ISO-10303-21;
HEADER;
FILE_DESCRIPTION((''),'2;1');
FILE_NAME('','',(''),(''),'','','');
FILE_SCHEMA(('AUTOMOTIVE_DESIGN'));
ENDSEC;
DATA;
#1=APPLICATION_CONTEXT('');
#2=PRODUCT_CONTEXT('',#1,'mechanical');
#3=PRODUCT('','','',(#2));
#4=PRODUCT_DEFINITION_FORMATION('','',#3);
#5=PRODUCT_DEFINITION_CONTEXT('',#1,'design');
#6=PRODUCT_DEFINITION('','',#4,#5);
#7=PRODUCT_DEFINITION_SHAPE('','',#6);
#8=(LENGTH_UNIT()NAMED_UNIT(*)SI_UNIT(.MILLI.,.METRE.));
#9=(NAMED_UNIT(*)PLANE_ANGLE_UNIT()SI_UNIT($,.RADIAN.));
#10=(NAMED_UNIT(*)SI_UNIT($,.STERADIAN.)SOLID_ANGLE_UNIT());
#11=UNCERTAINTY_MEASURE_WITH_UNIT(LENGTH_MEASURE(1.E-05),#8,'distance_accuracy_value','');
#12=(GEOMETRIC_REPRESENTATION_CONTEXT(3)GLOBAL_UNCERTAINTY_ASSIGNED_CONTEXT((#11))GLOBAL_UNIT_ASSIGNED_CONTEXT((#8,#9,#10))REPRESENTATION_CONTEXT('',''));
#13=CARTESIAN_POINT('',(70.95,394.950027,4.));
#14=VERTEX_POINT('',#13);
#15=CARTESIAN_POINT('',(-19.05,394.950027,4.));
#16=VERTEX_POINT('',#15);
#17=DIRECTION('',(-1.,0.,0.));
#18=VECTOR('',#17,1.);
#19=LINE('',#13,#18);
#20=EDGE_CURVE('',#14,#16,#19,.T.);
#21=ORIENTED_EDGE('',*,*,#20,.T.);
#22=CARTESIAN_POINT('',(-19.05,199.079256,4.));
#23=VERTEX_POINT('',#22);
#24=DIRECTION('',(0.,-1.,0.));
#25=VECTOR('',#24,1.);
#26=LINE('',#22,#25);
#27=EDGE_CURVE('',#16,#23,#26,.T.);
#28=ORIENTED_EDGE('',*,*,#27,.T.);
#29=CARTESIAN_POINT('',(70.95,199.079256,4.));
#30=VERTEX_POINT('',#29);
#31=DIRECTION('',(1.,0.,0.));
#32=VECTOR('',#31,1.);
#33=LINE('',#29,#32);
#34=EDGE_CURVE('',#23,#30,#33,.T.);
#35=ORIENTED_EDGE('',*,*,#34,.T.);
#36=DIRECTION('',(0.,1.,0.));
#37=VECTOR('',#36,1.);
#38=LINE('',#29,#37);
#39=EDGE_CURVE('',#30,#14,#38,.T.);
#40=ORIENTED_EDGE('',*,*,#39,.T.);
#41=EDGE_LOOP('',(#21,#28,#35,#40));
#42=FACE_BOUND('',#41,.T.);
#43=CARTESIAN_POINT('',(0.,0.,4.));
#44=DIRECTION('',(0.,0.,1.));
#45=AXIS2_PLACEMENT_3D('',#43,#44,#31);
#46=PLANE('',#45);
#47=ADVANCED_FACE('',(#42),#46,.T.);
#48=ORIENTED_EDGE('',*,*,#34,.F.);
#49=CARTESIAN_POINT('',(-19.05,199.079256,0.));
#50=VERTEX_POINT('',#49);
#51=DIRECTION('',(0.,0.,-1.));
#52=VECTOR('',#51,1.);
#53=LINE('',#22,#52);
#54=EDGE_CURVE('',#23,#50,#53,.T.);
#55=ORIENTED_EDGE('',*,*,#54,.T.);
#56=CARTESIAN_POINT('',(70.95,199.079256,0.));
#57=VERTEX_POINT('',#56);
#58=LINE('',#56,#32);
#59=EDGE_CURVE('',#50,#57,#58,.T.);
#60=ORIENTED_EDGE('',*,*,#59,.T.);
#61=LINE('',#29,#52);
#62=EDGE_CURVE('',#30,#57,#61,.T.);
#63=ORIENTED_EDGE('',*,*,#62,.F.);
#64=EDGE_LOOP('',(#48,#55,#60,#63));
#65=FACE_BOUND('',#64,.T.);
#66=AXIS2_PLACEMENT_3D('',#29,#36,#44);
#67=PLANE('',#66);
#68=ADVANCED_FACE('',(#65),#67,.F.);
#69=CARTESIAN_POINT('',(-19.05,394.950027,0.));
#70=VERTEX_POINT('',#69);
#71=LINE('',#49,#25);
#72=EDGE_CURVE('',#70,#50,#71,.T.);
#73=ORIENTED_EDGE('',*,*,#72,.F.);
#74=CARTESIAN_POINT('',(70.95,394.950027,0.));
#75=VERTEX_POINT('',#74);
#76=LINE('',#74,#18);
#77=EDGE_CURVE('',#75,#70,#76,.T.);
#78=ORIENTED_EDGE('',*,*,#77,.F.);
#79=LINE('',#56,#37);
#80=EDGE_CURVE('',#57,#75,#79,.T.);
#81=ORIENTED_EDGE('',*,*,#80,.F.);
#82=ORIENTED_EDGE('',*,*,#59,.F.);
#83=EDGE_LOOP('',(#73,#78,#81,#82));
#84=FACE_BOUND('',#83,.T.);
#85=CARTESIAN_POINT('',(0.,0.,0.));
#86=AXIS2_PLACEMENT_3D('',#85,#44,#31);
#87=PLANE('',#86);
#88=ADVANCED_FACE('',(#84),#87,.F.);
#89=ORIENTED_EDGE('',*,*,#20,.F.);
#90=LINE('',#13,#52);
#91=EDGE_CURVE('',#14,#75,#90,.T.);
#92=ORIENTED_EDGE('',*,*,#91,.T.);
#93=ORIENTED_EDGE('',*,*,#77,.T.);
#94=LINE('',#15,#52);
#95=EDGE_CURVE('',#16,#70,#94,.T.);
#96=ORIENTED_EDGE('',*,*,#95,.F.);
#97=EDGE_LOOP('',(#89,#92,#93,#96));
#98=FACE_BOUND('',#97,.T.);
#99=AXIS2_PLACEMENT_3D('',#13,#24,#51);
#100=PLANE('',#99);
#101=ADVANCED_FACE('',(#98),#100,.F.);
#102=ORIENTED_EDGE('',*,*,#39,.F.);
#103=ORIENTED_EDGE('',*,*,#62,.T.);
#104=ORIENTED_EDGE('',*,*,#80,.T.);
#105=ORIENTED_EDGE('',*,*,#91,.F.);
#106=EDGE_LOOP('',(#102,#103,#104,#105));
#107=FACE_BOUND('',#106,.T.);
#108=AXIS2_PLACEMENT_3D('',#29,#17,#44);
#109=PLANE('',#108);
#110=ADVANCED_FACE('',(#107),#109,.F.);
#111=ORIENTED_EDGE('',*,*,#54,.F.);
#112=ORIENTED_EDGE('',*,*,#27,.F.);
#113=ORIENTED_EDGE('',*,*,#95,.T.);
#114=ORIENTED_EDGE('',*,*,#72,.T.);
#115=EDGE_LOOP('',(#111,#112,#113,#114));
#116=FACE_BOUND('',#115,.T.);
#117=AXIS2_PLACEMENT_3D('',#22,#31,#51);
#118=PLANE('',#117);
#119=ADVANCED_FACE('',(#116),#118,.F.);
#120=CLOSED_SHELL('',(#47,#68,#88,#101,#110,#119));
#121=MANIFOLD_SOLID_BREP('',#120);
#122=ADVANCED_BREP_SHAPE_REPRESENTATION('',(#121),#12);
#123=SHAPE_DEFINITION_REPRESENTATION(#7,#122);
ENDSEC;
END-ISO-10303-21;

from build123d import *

# Parameters (mm, degrees)
SKETCH1_W           = 90
SKETCH1_H           = 195.870771436
BOSS_EXTRUDE1_DEPTH = 4


with BuildPart() as part:
    # Sketch1 → Boss-Extrude1 (new body)
    with BuildSketch(Plane.XY):
        with Locations((25.95, 297.01464127)):
            Rectangle(SKETCH1_W, SKETCH1_H)
    extrude(amount=BOSS_EXTRUDE1_DEPTH)


solid = part.part
